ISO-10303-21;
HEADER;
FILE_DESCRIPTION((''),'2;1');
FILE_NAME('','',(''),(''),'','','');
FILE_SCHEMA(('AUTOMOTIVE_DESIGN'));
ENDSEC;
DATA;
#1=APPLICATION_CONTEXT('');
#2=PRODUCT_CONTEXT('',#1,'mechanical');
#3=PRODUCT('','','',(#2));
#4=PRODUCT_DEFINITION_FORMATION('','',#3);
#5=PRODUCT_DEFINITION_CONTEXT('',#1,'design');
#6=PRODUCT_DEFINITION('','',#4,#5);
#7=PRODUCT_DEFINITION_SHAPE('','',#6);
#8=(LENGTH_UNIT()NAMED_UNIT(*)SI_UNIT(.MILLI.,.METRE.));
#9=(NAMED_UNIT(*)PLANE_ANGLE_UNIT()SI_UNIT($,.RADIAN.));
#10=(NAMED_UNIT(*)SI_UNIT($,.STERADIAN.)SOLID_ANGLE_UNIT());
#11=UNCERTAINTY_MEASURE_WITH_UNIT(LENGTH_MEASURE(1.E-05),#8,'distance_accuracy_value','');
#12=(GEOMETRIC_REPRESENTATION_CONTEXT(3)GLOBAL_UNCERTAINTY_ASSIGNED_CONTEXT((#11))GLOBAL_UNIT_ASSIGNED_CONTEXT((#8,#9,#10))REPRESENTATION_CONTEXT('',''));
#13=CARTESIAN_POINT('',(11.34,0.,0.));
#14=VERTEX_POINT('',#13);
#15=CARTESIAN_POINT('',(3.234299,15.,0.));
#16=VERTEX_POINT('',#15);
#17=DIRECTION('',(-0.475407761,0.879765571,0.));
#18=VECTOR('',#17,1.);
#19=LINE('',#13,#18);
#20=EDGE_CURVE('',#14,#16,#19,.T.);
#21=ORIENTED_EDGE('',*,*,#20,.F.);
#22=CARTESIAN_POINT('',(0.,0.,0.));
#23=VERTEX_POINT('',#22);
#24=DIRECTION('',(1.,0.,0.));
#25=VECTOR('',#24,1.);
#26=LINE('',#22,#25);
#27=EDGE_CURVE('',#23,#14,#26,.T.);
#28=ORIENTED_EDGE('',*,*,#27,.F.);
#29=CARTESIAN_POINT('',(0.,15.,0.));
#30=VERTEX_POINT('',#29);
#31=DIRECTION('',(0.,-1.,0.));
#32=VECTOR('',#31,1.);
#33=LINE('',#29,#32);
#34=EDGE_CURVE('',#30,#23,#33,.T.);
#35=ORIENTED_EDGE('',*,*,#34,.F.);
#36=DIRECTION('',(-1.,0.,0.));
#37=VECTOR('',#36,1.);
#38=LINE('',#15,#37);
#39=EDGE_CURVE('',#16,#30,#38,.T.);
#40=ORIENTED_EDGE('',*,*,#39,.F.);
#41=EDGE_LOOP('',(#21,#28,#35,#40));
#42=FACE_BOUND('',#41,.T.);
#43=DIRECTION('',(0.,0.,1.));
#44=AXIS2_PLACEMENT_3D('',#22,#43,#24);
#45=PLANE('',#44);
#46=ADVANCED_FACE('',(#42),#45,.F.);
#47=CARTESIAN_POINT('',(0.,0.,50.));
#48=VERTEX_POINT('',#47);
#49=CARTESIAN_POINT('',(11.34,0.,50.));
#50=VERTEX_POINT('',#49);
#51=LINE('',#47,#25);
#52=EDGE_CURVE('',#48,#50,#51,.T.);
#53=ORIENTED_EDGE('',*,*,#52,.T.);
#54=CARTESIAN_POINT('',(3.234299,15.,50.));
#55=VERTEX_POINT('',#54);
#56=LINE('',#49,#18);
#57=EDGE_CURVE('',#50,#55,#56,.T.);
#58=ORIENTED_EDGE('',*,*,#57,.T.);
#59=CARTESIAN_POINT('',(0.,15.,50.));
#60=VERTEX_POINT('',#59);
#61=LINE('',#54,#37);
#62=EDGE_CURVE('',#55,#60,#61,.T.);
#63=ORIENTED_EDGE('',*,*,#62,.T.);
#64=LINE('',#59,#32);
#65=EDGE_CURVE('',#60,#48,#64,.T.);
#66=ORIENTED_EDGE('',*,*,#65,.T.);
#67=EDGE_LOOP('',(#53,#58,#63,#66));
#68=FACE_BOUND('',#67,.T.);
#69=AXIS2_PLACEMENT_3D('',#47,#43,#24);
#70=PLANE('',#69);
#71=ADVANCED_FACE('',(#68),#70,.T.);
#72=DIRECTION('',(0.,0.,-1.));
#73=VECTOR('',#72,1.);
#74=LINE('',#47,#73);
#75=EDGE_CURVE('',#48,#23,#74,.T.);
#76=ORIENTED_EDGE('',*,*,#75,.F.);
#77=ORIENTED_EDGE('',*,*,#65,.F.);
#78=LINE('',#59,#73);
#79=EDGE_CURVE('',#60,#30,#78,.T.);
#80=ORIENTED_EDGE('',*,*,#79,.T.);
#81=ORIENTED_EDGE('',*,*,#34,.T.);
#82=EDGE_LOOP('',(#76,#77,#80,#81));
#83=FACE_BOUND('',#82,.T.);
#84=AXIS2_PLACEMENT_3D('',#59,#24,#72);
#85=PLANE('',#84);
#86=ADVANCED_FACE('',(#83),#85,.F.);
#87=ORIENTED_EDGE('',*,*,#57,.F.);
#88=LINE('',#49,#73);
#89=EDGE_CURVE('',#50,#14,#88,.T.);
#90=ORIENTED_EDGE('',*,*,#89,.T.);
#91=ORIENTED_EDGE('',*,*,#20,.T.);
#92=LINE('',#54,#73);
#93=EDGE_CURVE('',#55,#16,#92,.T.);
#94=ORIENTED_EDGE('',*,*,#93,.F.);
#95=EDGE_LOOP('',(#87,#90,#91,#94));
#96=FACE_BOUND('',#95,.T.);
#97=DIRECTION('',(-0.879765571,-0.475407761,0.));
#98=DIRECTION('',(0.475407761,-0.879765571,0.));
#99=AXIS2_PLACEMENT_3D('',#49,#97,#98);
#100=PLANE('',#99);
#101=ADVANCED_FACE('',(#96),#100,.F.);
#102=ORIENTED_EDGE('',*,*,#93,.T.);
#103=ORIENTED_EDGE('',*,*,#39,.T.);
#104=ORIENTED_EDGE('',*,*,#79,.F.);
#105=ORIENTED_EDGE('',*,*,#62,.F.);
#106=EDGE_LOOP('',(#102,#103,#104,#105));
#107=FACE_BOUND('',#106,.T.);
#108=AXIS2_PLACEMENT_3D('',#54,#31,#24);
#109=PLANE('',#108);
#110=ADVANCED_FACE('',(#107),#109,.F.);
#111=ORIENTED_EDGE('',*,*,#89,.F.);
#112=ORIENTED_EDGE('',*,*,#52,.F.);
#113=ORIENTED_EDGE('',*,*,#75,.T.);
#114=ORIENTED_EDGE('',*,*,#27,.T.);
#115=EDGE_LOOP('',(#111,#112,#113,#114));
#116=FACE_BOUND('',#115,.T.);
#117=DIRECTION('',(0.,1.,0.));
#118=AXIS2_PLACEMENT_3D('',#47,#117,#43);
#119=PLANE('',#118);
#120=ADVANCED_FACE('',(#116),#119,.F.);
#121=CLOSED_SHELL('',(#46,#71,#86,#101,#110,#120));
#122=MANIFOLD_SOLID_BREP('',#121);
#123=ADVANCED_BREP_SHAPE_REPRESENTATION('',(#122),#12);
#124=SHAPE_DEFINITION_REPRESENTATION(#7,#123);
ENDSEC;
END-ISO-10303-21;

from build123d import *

# Parameters (mm, degrees)
BOSS_EXTRUDE1_DEPTH = 50


with BuildPart() as part:
    # Sketch1 → Boss-Extrude1 (new body)
    with BuildSketch(Plane.XY):
        Polygon((0, 15), (0, 0), (11.34, 0), (3.234299287, 15), align=None)
    extrude(amount=BOSS_EXTRUDE1_DEPTH)


solid = part.part
